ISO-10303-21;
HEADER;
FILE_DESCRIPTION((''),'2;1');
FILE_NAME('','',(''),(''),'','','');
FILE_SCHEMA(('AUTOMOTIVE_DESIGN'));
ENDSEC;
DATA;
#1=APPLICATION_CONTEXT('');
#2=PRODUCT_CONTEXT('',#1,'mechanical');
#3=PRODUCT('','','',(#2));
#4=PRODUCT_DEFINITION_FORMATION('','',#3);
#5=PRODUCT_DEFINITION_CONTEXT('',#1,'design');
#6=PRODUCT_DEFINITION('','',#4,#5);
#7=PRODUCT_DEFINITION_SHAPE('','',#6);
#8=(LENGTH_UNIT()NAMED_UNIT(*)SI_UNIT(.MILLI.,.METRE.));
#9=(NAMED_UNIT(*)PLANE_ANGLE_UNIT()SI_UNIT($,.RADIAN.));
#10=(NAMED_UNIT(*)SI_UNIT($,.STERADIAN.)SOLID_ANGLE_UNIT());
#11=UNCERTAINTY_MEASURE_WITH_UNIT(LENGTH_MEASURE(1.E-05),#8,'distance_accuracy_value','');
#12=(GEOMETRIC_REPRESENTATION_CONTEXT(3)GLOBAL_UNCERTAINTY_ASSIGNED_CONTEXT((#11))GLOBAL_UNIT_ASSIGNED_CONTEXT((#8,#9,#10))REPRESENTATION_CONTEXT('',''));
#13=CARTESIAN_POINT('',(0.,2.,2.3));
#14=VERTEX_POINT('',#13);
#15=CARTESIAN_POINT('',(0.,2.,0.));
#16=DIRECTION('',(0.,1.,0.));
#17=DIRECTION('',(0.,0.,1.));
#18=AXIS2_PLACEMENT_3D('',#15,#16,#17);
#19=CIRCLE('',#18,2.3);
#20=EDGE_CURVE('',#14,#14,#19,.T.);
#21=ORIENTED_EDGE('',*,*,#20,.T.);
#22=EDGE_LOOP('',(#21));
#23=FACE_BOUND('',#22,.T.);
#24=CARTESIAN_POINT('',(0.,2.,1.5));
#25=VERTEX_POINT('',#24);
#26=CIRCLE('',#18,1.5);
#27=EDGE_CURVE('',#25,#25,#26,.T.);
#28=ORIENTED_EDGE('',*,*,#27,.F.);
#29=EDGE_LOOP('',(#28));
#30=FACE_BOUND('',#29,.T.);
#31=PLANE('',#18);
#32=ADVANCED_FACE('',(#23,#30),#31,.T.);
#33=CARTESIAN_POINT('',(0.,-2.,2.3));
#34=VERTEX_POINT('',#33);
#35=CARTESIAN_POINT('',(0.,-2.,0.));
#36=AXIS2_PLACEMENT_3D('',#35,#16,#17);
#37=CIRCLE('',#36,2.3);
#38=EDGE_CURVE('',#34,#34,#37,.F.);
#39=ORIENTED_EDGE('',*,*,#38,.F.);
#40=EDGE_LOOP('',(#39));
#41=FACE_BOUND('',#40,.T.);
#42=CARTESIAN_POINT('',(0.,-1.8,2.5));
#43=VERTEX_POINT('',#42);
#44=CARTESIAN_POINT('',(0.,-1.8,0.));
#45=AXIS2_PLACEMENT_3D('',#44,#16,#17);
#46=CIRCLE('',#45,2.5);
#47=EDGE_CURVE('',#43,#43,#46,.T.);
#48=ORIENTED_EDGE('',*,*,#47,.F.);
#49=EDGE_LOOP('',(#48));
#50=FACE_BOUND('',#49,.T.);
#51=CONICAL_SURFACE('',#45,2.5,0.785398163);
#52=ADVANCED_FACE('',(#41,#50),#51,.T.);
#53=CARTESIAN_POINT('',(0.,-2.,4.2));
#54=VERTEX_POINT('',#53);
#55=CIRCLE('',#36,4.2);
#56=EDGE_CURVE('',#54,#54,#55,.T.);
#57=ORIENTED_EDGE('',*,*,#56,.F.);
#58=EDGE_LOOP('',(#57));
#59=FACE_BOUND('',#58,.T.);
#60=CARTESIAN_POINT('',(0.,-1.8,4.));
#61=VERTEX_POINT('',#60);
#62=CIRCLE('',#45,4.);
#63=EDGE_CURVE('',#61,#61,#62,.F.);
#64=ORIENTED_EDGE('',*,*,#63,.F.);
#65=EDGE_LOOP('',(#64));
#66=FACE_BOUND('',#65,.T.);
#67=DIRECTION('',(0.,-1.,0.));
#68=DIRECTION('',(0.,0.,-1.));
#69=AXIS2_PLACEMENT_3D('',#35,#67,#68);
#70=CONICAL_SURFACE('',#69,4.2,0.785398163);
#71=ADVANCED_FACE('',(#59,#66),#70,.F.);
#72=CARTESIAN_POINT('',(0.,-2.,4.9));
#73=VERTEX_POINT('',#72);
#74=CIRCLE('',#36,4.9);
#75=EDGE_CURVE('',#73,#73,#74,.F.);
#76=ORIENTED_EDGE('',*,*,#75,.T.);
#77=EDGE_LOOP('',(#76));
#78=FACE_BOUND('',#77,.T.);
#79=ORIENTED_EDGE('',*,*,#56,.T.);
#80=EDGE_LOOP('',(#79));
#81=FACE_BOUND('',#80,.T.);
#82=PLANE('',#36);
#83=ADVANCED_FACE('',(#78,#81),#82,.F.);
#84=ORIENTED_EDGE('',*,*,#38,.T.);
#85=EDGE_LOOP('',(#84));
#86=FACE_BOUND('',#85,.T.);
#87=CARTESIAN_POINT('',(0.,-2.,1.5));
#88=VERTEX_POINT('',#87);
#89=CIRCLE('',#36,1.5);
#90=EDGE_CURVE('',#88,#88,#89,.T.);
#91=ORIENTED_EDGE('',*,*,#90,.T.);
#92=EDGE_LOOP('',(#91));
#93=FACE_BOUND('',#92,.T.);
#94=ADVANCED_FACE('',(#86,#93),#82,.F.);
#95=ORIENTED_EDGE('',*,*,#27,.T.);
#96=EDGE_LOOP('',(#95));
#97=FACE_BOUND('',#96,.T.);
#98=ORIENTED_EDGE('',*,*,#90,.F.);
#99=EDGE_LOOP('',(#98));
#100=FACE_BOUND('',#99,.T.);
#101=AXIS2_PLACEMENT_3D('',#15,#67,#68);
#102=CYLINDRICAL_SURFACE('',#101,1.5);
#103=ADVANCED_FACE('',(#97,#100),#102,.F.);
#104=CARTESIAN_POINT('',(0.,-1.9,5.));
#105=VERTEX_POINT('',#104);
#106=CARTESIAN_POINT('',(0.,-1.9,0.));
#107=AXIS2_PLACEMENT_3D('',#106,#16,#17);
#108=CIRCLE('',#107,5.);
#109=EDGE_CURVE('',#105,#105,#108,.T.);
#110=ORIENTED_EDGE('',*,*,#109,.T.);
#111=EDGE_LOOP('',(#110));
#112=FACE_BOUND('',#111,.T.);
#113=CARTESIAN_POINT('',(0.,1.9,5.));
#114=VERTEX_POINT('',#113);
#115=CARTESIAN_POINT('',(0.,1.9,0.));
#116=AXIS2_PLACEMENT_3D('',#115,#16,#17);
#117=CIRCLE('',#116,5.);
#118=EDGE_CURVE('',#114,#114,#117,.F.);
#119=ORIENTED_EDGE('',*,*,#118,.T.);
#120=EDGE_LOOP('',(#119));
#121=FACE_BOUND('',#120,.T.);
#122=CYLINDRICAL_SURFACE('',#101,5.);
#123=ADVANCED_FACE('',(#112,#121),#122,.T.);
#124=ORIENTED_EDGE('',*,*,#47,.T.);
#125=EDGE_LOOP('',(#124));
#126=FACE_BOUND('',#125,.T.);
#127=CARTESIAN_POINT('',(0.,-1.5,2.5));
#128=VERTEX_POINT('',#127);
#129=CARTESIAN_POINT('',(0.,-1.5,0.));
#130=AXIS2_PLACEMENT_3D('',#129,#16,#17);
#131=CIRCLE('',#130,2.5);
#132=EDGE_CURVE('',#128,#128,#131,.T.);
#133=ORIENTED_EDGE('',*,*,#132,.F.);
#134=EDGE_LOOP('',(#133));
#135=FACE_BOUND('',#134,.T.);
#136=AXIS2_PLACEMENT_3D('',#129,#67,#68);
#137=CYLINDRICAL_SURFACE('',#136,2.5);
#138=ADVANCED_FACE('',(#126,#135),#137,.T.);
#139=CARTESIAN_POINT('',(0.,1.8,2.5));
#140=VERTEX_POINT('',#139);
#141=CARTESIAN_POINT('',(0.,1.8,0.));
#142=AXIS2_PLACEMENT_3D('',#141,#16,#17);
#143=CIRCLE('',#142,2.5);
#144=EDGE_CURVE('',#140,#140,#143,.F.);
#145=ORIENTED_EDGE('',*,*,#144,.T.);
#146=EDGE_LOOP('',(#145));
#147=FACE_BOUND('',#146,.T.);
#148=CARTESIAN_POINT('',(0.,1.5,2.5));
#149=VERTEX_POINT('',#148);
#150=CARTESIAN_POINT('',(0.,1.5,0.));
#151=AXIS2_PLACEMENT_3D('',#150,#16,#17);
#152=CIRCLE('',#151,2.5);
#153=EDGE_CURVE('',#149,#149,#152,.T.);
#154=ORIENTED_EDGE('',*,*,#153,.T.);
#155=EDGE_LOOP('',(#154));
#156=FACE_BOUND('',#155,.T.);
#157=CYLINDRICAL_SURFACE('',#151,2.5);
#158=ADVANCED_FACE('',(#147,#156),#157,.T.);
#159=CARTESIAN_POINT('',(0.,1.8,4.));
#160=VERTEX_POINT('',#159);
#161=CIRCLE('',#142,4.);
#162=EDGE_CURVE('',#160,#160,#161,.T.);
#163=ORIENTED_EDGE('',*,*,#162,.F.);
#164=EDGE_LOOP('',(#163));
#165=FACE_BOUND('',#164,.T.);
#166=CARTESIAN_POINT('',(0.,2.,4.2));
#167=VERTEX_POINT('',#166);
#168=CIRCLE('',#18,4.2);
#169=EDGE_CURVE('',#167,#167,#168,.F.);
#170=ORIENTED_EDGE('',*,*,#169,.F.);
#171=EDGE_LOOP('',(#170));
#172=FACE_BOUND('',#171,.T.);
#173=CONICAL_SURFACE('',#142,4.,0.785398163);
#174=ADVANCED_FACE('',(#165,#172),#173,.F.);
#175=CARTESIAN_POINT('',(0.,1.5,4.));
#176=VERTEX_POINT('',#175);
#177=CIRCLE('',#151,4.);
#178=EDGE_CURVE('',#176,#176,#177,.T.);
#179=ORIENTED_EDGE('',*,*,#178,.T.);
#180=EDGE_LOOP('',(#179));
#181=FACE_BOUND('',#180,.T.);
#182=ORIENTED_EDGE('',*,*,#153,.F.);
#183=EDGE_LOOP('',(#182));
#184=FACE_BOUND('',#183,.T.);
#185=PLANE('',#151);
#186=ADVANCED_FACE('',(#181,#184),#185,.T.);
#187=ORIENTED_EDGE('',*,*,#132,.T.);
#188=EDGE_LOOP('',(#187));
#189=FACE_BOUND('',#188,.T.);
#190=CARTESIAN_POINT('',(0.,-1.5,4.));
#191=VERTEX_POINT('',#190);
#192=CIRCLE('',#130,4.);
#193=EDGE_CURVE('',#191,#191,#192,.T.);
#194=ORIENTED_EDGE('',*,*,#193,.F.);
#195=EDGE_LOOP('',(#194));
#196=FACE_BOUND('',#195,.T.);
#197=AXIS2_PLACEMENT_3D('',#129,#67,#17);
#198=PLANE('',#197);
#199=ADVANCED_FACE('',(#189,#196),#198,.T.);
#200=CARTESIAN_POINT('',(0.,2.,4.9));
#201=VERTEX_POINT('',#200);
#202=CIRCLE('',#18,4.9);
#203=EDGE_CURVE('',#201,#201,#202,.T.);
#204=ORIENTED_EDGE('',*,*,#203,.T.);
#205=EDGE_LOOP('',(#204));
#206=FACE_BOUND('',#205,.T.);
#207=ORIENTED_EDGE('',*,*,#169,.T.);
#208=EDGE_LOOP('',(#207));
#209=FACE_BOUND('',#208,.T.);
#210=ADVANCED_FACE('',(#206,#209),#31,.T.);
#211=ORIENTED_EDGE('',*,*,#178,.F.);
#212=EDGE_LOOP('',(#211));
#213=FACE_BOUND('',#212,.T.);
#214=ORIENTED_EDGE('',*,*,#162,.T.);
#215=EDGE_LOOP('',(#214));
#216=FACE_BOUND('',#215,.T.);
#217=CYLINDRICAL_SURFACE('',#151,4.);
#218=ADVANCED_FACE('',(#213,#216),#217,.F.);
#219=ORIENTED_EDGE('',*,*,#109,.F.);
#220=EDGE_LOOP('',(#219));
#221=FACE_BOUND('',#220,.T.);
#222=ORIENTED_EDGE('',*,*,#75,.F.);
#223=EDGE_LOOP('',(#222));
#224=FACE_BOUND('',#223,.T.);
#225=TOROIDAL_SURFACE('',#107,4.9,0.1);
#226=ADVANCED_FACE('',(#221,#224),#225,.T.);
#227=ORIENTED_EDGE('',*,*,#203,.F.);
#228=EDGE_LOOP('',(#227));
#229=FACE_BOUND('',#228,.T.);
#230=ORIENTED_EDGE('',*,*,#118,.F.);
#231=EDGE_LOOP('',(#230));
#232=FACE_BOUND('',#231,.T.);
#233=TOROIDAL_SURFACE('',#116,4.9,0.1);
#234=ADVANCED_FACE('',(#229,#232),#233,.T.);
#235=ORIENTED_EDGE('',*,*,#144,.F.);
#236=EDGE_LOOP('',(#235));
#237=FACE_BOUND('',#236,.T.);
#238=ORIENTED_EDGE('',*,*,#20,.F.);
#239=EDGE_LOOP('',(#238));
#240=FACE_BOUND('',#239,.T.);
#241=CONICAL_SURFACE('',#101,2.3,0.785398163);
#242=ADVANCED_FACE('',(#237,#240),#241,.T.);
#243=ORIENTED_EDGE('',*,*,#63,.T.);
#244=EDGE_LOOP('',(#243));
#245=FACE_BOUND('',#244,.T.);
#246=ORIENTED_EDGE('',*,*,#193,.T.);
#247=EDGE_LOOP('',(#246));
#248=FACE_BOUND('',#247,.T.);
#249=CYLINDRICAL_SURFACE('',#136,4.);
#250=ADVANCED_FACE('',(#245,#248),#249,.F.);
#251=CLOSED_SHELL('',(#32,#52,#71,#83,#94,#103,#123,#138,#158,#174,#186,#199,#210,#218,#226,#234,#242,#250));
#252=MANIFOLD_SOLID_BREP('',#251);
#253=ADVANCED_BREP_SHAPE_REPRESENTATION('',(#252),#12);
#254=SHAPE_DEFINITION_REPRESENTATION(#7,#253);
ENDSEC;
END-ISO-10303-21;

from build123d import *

# Parameters (mm, degrees)
SKETCH2_R           = 5
SKETCH2_R_2         = 1.5
BOSS_EXTRUDE1_DEPTH = 2
SKETCH3_R           = 4
SKETCH3_R_2         = 2.5
CUT_EXTRUDE1_DEPTH  = 0.5
CHAMFER1_SIZE       = 0.2
FILLET1_R           = 0.1


with BuildPart() as part:
    # Sketch2 → Boss-Extrude1 (new body, symmetric)
    with BuildSketch(Plane(origin=(0, 0, 0), x_dir=(1, 0, 0), z_dir=(0, 1, 0))):
        Circle(SKETCH2_R)
        Circle(SKETCH2_R_2, mode=Mode.SUBTRACT)
    extrude(amount=BOSS_EXTRUDE1_DEPTH, both=True)

    # Sketch3 → Cut-Extrude1 (cut)
    with BuildSketch(Plane(origin=(0, 2, 0), x_dir=(1, 0, 0), z_dir=(0, 1, 0))):
        Circle(SKETCH3_R)
        Circle(SKETCH3_R_2, mode=Mode.SUBTRACT)
    cut_extrude1 = extrude(amount=-CUT_EXTRUDE1_DEPTH, mode=Mode.SUBTRACT)

    # Mirror1: Cut-Extrude1 across plane
    add(cut_extrude1.mirror(Plane.ZX), mode=Mode.SUBTRACT)

    # Chamfer1
    chamfer1_edges = [part.edges().sort_by_distance(p)[0] for p in [
        (-4, 2, 0),
        (-2.5, 2, 0),
        (-2.5, -2, 0),
        (-4, -2, 0),
    ]]
    chamfer(chamfer1_edges, length=CHAMFER1_SIZE)

    # Fillet1
    fillet1_edges = [part.edges().sort_by_distance(p)[0] for p in [
        (-5, -2, 0),
        (-5, 2, 0),
    ]]
    fillet(fillet1_edges, radius=FILLET1_R)


solid = part.part
